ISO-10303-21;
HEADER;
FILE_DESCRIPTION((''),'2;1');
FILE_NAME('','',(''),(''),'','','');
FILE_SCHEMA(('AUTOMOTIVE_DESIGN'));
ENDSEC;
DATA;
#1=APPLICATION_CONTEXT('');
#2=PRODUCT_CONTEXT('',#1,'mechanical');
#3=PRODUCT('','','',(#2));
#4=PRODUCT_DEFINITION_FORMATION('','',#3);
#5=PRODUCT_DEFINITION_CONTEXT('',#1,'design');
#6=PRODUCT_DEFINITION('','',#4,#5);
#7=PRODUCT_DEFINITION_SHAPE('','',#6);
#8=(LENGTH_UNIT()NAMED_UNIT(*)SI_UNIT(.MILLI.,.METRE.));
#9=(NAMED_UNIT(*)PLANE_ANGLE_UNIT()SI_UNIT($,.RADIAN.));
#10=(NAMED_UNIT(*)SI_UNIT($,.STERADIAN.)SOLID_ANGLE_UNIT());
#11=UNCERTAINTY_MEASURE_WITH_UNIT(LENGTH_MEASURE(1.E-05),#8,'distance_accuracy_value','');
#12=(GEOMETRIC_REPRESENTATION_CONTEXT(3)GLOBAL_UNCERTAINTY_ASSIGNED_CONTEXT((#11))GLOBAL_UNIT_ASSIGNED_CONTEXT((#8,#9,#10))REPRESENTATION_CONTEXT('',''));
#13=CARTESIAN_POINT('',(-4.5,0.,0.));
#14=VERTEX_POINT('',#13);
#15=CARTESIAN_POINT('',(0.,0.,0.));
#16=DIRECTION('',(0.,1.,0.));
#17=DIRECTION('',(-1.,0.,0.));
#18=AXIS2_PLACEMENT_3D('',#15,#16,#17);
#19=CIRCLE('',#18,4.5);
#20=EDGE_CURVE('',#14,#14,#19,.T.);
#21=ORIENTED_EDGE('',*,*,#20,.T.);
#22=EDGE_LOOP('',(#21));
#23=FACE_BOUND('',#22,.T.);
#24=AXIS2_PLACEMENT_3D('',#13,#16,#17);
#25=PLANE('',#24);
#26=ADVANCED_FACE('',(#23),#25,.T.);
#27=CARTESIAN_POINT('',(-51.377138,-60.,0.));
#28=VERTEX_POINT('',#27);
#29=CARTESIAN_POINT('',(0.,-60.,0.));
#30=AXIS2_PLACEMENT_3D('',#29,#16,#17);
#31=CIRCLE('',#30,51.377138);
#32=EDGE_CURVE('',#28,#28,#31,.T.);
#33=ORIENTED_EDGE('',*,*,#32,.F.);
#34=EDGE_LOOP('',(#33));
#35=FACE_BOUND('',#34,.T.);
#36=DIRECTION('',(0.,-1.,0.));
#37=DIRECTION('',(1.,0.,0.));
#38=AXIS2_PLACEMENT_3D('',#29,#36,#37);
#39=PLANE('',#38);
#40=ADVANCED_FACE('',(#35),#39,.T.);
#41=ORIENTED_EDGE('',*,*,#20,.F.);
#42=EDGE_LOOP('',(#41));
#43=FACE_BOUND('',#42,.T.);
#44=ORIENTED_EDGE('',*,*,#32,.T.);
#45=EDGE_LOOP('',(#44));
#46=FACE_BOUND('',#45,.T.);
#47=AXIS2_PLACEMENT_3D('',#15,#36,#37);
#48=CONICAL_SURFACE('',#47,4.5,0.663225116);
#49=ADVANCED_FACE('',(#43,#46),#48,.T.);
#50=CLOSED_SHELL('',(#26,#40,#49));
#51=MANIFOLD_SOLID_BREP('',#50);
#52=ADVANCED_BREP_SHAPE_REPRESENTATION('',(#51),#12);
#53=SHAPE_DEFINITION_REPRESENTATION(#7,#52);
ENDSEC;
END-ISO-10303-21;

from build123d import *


with BuildPart() as part:
    # 草图1 → 旋转1 (revolve)
    with BuildSketch(Plane.XY):
        Polygon((0, 0), (0, -60), (-51.37713759, -60), (-4.5, 0), align=None)
    revolve(axis=Axis((0, 0, 0), (0, -1, 0)))


solid = part.part
